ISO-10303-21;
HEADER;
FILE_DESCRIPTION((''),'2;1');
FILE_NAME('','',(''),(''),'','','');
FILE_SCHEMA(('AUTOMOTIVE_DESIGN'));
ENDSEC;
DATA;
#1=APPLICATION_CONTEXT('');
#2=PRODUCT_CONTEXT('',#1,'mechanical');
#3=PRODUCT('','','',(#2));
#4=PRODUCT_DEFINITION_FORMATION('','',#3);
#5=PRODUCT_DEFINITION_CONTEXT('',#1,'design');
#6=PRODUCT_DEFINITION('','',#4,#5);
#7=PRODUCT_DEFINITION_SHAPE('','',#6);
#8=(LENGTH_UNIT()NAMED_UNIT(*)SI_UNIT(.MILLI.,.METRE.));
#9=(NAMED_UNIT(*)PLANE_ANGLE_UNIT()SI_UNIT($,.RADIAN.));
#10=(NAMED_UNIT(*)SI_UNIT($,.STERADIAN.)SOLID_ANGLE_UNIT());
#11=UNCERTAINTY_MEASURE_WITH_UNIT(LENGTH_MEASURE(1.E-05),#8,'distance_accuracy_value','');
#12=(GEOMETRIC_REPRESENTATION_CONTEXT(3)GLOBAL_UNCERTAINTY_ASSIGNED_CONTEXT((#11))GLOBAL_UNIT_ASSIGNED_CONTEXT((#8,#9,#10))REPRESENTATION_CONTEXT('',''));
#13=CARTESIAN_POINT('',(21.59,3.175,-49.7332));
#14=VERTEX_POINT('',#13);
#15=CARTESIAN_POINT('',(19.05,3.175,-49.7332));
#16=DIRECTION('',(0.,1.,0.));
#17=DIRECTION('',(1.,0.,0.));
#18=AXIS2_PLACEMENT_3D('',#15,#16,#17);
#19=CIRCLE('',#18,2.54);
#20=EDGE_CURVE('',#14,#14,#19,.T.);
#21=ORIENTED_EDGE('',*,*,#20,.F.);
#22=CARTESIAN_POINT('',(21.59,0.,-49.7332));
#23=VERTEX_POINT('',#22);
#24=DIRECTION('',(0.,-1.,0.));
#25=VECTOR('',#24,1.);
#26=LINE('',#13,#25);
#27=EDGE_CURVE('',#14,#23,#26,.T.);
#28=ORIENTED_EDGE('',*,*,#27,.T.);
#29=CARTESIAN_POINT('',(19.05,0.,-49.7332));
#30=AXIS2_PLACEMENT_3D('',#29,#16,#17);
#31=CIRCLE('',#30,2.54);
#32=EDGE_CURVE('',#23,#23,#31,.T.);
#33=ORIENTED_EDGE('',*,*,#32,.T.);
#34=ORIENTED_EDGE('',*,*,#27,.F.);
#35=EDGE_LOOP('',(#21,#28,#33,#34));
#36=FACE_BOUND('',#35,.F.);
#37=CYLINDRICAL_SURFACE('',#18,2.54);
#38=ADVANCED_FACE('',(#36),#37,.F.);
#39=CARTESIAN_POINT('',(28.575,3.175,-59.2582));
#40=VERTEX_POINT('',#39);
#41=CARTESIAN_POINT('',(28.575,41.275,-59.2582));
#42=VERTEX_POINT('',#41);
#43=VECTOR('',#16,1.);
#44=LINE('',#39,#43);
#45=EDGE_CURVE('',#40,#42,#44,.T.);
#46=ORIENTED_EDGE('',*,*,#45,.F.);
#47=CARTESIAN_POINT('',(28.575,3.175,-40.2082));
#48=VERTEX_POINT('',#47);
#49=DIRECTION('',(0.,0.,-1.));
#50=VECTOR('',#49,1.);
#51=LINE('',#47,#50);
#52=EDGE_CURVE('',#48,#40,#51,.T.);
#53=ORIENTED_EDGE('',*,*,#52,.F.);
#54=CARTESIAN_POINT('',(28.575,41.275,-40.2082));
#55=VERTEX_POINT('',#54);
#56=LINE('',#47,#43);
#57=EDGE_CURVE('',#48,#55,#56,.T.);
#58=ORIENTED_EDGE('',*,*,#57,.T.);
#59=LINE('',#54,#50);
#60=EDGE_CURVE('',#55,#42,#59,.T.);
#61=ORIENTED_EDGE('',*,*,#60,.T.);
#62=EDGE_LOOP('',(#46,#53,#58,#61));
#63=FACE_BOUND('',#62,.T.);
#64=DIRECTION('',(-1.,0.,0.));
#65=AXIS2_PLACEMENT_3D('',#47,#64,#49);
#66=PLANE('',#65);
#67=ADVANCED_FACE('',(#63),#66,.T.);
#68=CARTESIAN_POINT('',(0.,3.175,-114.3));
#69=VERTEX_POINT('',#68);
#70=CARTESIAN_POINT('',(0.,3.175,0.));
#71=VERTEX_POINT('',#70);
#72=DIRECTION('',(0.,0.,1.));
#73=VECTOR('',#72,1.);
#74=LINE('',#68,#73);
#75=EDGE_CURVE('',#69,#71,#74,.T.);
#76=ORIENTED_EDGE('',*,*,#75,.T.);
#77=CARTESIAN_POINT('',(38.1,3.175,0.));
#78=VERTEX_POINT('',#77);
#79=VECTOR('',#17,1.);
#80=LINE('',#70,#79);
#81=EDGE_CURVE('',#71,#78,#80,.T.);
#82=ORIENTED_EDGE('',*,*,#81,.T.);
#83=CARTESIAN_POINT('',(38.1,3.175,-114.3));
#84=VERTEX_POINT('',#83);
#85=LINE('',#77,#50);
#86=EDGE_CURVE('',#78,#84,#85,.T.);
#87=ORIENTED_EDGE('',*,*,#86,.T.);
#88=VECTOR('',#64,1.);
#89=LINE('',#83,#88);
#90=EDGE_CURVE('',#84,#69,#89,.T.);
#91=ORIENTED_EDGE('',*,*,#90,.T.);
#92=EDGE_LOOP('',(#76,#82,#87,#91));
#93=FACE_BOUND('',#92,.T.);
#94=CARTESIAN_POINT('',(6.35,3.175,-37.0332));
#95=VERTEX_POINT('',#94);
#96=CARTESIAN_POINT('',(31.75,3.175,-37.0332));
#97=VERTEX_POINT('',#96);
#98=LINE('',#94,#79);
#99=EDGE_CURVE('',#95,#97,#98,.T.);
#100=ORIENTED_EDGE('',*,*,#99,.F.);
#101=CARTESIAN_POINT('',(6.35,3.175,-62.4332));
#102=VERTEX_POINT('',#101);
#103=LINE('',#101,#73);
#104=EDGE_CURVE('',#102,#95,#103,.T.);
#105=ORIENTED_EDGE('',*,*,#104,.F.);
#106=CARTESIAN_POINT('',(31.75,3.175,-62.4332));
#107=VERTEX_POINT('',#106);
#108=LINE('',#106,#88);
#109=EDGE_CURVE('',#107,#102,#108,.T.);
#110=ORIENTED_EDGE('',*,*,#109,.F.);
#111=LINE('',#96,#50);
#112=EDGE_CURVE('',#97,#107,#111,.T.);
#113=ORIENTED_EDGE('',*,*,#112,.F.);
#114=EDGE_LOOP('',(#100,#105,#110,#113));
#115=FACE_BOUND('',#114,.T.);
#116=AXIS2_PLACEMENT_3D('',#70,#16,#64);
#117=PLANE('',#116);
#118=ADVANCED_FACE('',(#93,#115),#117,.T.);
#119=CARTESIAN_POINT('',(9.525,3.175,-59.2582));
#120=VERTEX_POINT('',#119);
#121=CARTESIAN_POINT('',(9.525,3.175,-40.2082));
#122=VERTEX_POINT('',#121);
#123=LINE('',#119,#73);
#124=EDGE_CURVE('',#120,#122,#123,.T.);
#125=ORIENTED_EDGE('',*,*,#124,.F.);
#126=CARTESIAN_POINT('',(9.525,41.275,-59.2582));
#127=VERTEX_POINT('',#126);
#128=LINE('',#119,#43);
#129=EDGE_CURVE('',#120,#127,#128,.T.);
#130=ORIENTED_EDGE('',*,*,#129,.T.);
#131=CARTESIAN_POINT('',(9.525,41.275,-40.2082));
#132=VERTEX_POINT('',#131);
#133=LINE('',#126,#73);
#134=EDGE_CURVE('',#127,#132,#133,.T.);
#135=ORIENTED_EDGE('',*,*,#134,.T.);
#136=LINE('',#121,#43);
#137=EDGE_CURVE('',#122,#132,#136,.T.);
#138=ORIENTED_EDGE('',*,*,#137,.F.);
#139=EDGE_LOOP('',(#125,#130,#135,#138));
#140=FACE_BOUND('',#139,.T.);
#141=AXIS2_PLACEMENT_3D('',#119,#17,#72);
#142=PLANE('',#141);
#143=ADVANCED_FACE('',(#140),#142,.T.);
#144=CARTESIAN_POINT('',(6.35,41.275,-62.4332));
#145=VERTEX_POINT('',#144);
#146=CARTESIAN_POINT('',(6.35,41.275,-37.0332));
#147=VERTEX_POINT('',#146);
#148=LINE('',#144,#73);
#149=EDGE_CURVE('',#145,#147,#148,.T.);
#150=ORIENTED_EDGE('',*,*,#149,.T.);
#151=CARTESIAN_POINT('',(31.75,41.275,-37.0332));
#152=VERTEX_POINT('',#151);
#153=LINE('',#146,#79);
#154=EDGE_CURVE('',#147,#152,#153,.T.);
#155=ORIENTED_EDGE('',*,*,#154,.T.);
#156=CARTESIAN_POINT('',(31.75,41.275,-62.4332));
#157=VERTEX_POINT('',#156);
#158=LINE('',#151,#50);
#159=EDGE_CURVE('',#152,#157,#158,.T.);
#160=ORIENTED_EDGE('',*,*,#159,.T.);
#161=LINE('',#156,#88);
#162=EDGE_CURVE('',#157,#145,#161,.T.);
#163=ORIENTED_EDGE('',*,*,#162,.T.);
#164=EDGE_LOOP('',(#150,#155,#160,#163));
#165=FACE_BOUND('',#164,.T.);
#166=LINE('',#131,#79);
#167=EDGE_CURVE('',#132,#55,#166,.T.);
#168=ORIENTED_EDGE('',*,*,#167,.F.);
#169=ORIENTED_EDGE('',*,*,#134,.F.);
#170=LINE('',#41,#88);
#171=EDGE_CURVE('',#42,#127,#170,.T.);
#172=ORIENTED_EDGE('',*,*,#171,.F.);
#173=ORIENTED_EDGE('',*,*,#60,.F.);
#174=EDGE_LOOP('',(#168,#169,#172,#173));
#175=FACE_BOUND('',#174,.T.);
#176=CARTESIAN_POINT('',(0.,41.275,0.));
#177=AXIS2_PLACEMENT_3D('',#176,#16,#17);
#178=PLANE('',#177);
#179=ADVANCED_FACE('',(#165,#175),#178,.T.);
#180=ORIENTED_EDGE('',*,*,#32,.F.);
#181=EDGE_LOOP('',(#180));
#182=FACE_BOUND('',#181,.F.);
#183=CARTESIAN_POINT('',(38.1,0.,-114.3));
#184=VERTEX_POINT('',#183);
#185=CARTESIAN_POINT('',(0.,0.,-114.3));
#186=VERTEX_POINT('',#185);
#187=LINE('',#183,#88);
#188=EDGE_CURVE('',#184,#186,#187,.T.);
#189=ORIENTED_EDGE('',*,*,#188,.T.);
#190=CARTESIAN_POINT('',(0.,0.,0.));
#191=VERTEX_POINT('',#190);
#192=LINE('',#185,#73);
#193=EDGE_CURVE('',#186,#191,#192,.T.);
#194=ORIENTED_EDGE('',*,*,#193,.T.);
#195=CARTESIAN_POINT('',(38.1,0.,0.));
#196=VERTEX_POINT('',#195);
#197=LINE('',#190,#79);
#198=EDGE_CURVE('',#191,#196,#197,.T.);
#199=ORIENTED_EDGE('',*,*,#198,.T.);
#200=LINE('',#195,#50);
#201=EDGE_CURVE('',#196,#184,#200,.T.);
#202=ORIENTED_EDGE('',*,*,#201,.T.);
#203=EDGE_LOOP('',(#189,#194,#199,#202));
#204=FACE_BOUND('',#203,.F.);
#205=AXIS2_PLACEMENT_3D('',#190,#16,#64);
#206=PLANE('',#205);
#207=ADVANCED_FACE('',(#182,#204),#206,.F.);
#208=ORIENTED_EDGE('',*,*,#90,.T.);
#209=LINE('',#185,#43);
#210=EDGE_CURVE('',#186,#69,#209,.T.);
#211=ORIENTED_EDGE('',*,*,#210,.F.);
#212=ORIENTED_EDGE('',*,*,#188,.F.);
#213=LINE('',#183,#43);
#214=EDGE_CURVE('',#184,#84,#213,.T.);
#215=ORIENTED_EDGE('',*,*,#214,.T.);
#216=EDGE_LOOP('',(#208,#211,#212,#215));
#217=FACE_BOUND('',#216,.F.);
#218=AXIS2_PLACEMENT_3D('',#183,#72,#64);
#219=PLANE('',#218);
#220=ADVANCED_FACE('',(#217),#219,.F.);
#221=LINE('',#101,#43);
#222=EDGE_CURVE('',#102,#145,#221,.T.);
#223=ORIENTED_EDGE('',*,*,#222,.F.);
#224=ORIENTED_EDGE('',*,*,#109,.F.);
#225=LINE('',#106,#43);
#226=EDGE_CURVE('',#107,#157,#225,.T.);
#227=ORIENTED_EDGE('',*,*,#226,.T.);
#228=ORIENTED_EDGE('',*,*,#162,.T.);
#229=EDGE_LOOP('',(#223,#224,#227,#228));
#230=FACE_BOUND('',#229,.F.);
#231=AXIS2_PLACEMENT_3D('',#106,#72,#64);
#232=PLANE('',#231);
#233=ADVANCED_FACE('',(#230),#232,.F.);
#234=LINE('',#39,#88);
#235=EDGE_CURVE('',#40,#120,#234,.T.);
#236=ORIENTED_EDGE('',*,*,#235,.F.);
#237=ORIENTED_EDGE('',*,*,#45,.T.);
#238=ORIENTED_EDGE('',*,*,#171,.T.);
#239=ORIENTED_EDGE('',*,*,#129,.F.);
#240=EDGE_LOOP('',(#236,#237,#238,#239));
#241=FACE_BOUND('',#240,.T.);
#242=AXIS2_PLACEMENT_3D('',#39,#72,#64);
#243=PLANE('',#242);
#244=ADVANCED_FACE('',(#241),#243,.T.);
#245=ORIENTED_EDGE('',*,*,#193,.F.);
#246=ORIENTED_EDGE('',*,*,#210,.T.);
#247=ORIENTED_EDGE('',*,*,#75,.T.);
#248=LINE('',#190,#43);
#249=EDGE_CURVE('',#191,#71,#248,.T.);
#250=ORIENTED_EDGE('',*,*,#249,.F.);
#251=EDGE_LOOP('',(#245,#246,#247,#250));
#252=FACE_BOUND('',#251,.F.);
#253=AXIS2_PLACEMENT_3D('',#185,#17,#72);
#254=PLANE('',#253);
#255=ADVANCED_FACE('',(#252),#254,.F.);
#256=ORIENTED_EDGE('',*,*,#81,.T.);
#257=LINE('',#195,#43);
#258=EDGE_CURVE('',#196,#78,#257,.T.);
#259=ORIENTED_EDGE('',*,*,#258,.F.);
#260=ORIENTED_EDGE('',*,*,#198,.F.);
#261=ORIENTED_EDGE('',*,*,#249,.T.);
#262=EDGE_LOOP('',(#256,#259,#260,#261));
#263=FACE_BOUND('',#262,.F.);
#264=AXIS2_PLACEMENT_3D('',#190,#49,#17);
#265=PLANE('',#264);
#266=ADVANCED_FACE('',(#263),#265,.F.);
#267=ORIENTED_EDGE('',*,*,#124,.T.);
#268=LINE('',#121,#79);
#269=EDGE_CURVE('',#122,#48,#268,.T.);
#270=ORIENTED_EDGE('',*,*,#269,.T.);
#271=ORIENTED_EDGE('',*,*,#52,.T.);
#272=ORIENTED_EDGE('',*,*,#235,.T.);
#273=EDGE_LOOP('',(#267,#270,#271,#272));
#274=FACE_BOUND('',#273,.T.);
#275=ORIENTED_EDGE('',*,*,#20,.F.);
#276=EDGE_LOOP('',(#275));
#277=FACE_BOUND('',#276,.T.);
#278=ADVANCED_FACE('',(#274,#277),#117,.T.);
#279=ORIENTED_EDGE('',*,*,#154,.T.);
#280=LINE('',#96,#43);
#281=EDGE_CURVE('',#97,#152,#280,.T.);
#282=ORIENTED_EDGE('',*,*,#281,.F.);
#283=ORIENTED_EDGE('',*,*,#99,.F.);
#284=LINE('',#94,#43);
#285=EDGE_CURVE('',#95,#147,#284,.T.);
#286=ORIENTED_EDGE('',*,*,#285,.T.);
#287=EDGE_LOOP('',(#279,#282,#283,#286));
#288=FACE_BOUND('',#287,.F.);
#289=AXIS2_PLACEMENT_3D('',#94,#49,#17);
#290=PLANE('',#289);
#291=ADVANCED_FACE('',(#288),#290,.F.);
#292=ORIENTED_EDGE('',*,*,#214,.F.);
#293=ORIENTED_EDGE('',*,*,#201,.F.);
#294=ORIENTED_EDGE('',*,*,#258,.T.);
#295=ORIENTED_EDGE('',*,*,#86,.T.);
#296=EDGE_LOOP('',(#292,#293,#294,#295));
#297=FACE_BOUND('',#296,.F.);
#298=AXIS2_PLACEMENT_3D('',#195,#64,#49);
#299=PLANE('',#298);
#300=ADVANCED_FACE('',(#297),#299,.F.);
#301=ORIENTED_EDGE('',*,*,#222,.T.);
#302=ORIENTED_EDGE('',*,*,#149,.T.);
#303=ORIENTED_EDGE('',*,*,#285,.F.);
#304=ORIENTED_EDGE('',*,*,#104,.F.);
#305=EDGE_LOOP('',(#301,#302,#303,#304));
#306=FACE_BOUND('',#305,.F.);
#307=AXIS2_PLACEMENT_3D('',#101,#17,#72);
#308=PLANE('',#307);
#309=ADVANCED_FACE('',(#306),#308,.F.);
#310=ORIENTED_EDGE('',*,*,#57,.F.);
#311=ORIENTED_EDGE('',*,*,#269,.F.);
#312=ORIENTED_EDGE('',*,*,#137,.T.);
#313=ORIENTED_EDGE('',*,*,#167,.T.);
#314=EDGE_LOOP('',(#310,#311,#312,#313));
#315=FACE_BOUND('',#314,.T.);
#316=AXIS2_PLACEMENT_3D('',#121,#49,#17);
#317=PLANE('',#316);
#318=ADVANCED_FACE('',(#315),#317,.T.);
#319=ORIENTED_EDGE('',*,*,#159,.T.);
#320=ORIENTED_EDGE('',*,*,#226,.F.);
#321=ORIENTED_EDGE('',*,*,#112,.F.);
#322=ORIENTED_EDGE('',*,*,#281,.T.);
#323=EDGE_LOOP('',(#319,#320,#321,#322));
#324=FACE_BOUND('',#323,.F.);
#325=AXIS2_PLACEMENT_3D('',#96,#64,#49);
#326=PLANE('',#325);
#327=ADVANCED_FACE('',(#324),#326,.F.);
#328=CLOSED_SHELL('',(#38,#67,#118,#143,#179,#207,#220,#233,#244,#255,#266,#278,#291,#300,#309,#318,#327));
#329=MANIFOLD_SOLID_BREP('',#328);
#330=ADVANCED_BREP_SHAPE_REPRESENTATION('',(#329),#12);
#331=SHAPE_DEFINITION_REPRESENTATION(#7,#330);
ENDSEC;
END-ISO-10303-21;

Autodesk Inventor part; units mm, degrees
ref_plane "YZ Plane" through (0, 0, 0) normal (1, 0, 0) x (0, 1, 0)
ref_plane "XZ Plane" through (0, 0, 0) normal (0, 1, 0) x (-1, 0, 0)
ref_plane "XY Plane" through (0, 0, 0) normal (0, 0, 1) x (1, 0, 0)
sketch "Sketch1" plane through (0, 0, 0) normal (0, 1, 0) x (-1, 0, 0)
  line L0 (0, 0) -> (-38.1, 0)
  line L1 (-38.1, 0) -> (-38.1, -114.3)
  line L2 (-38.1, -114.3) -> (0, -114.3)
  line L3 (0, -114.3) -> (0, 0)
  dimension "d0" = 38.1
  dimension "d1" = 114.3
extrude "Extrusion1" add sketch "Sketch1" along normal blind 3.175
sketch "Sketch3" plane through (0, 3.175, 0) normal (0, 1, 0) x (1, 0, 0)
  line L0 (31.75, 62.4332) -> (6.35, 62.4332)
  line L1 (6.35, 62.4332) -> (6.35, 37.0332)
  line L2 (6.35, 37.0332) -> (31.75, 37.0332)
  line L3 (31.75, 37.0332) -> (31.75, 62.4332)
  line L4 (38.1, 0) -> (38.1, 114.3) projected
  line L5 (38.1, 114.3) -> (0, 114.3) projected
  line L6 (28.575, 59.2582) -> (9.525, 59.2582)
  line L7 (9.525, 59.2582) -> (9.525, 40.2082)
  line L8 (9.525, 40.2082) -> (28.575, 40.2082)
  line L9 (28.575, 40.2082) -> (28.575, 59.2582)
  circle A0 centre (19.05, 49.7332) radius 2.54
  line L10 (0, 0) -> (38.1, 0) projected
  dimension "d8" = 25.4
  dimension "d9" = 25.4
  dimension "d10" = 6.35
  dimension "d12" = 3.175
  dimension "d15" = 5.08
  dimension "d16" = 12.7
  dimension "d17" = 12.7
  dimension "d23" = 37.0332
extrude "Extrusion3" add sketch "Sketch3" along normal blind 38.1 contours L3 L2 L1 L0
extrude "Extrusion5" cut sketch "Sketch3" against normal blind 3.175 contours A0
properties part number "mounting plate" material "ABS Plastic"
